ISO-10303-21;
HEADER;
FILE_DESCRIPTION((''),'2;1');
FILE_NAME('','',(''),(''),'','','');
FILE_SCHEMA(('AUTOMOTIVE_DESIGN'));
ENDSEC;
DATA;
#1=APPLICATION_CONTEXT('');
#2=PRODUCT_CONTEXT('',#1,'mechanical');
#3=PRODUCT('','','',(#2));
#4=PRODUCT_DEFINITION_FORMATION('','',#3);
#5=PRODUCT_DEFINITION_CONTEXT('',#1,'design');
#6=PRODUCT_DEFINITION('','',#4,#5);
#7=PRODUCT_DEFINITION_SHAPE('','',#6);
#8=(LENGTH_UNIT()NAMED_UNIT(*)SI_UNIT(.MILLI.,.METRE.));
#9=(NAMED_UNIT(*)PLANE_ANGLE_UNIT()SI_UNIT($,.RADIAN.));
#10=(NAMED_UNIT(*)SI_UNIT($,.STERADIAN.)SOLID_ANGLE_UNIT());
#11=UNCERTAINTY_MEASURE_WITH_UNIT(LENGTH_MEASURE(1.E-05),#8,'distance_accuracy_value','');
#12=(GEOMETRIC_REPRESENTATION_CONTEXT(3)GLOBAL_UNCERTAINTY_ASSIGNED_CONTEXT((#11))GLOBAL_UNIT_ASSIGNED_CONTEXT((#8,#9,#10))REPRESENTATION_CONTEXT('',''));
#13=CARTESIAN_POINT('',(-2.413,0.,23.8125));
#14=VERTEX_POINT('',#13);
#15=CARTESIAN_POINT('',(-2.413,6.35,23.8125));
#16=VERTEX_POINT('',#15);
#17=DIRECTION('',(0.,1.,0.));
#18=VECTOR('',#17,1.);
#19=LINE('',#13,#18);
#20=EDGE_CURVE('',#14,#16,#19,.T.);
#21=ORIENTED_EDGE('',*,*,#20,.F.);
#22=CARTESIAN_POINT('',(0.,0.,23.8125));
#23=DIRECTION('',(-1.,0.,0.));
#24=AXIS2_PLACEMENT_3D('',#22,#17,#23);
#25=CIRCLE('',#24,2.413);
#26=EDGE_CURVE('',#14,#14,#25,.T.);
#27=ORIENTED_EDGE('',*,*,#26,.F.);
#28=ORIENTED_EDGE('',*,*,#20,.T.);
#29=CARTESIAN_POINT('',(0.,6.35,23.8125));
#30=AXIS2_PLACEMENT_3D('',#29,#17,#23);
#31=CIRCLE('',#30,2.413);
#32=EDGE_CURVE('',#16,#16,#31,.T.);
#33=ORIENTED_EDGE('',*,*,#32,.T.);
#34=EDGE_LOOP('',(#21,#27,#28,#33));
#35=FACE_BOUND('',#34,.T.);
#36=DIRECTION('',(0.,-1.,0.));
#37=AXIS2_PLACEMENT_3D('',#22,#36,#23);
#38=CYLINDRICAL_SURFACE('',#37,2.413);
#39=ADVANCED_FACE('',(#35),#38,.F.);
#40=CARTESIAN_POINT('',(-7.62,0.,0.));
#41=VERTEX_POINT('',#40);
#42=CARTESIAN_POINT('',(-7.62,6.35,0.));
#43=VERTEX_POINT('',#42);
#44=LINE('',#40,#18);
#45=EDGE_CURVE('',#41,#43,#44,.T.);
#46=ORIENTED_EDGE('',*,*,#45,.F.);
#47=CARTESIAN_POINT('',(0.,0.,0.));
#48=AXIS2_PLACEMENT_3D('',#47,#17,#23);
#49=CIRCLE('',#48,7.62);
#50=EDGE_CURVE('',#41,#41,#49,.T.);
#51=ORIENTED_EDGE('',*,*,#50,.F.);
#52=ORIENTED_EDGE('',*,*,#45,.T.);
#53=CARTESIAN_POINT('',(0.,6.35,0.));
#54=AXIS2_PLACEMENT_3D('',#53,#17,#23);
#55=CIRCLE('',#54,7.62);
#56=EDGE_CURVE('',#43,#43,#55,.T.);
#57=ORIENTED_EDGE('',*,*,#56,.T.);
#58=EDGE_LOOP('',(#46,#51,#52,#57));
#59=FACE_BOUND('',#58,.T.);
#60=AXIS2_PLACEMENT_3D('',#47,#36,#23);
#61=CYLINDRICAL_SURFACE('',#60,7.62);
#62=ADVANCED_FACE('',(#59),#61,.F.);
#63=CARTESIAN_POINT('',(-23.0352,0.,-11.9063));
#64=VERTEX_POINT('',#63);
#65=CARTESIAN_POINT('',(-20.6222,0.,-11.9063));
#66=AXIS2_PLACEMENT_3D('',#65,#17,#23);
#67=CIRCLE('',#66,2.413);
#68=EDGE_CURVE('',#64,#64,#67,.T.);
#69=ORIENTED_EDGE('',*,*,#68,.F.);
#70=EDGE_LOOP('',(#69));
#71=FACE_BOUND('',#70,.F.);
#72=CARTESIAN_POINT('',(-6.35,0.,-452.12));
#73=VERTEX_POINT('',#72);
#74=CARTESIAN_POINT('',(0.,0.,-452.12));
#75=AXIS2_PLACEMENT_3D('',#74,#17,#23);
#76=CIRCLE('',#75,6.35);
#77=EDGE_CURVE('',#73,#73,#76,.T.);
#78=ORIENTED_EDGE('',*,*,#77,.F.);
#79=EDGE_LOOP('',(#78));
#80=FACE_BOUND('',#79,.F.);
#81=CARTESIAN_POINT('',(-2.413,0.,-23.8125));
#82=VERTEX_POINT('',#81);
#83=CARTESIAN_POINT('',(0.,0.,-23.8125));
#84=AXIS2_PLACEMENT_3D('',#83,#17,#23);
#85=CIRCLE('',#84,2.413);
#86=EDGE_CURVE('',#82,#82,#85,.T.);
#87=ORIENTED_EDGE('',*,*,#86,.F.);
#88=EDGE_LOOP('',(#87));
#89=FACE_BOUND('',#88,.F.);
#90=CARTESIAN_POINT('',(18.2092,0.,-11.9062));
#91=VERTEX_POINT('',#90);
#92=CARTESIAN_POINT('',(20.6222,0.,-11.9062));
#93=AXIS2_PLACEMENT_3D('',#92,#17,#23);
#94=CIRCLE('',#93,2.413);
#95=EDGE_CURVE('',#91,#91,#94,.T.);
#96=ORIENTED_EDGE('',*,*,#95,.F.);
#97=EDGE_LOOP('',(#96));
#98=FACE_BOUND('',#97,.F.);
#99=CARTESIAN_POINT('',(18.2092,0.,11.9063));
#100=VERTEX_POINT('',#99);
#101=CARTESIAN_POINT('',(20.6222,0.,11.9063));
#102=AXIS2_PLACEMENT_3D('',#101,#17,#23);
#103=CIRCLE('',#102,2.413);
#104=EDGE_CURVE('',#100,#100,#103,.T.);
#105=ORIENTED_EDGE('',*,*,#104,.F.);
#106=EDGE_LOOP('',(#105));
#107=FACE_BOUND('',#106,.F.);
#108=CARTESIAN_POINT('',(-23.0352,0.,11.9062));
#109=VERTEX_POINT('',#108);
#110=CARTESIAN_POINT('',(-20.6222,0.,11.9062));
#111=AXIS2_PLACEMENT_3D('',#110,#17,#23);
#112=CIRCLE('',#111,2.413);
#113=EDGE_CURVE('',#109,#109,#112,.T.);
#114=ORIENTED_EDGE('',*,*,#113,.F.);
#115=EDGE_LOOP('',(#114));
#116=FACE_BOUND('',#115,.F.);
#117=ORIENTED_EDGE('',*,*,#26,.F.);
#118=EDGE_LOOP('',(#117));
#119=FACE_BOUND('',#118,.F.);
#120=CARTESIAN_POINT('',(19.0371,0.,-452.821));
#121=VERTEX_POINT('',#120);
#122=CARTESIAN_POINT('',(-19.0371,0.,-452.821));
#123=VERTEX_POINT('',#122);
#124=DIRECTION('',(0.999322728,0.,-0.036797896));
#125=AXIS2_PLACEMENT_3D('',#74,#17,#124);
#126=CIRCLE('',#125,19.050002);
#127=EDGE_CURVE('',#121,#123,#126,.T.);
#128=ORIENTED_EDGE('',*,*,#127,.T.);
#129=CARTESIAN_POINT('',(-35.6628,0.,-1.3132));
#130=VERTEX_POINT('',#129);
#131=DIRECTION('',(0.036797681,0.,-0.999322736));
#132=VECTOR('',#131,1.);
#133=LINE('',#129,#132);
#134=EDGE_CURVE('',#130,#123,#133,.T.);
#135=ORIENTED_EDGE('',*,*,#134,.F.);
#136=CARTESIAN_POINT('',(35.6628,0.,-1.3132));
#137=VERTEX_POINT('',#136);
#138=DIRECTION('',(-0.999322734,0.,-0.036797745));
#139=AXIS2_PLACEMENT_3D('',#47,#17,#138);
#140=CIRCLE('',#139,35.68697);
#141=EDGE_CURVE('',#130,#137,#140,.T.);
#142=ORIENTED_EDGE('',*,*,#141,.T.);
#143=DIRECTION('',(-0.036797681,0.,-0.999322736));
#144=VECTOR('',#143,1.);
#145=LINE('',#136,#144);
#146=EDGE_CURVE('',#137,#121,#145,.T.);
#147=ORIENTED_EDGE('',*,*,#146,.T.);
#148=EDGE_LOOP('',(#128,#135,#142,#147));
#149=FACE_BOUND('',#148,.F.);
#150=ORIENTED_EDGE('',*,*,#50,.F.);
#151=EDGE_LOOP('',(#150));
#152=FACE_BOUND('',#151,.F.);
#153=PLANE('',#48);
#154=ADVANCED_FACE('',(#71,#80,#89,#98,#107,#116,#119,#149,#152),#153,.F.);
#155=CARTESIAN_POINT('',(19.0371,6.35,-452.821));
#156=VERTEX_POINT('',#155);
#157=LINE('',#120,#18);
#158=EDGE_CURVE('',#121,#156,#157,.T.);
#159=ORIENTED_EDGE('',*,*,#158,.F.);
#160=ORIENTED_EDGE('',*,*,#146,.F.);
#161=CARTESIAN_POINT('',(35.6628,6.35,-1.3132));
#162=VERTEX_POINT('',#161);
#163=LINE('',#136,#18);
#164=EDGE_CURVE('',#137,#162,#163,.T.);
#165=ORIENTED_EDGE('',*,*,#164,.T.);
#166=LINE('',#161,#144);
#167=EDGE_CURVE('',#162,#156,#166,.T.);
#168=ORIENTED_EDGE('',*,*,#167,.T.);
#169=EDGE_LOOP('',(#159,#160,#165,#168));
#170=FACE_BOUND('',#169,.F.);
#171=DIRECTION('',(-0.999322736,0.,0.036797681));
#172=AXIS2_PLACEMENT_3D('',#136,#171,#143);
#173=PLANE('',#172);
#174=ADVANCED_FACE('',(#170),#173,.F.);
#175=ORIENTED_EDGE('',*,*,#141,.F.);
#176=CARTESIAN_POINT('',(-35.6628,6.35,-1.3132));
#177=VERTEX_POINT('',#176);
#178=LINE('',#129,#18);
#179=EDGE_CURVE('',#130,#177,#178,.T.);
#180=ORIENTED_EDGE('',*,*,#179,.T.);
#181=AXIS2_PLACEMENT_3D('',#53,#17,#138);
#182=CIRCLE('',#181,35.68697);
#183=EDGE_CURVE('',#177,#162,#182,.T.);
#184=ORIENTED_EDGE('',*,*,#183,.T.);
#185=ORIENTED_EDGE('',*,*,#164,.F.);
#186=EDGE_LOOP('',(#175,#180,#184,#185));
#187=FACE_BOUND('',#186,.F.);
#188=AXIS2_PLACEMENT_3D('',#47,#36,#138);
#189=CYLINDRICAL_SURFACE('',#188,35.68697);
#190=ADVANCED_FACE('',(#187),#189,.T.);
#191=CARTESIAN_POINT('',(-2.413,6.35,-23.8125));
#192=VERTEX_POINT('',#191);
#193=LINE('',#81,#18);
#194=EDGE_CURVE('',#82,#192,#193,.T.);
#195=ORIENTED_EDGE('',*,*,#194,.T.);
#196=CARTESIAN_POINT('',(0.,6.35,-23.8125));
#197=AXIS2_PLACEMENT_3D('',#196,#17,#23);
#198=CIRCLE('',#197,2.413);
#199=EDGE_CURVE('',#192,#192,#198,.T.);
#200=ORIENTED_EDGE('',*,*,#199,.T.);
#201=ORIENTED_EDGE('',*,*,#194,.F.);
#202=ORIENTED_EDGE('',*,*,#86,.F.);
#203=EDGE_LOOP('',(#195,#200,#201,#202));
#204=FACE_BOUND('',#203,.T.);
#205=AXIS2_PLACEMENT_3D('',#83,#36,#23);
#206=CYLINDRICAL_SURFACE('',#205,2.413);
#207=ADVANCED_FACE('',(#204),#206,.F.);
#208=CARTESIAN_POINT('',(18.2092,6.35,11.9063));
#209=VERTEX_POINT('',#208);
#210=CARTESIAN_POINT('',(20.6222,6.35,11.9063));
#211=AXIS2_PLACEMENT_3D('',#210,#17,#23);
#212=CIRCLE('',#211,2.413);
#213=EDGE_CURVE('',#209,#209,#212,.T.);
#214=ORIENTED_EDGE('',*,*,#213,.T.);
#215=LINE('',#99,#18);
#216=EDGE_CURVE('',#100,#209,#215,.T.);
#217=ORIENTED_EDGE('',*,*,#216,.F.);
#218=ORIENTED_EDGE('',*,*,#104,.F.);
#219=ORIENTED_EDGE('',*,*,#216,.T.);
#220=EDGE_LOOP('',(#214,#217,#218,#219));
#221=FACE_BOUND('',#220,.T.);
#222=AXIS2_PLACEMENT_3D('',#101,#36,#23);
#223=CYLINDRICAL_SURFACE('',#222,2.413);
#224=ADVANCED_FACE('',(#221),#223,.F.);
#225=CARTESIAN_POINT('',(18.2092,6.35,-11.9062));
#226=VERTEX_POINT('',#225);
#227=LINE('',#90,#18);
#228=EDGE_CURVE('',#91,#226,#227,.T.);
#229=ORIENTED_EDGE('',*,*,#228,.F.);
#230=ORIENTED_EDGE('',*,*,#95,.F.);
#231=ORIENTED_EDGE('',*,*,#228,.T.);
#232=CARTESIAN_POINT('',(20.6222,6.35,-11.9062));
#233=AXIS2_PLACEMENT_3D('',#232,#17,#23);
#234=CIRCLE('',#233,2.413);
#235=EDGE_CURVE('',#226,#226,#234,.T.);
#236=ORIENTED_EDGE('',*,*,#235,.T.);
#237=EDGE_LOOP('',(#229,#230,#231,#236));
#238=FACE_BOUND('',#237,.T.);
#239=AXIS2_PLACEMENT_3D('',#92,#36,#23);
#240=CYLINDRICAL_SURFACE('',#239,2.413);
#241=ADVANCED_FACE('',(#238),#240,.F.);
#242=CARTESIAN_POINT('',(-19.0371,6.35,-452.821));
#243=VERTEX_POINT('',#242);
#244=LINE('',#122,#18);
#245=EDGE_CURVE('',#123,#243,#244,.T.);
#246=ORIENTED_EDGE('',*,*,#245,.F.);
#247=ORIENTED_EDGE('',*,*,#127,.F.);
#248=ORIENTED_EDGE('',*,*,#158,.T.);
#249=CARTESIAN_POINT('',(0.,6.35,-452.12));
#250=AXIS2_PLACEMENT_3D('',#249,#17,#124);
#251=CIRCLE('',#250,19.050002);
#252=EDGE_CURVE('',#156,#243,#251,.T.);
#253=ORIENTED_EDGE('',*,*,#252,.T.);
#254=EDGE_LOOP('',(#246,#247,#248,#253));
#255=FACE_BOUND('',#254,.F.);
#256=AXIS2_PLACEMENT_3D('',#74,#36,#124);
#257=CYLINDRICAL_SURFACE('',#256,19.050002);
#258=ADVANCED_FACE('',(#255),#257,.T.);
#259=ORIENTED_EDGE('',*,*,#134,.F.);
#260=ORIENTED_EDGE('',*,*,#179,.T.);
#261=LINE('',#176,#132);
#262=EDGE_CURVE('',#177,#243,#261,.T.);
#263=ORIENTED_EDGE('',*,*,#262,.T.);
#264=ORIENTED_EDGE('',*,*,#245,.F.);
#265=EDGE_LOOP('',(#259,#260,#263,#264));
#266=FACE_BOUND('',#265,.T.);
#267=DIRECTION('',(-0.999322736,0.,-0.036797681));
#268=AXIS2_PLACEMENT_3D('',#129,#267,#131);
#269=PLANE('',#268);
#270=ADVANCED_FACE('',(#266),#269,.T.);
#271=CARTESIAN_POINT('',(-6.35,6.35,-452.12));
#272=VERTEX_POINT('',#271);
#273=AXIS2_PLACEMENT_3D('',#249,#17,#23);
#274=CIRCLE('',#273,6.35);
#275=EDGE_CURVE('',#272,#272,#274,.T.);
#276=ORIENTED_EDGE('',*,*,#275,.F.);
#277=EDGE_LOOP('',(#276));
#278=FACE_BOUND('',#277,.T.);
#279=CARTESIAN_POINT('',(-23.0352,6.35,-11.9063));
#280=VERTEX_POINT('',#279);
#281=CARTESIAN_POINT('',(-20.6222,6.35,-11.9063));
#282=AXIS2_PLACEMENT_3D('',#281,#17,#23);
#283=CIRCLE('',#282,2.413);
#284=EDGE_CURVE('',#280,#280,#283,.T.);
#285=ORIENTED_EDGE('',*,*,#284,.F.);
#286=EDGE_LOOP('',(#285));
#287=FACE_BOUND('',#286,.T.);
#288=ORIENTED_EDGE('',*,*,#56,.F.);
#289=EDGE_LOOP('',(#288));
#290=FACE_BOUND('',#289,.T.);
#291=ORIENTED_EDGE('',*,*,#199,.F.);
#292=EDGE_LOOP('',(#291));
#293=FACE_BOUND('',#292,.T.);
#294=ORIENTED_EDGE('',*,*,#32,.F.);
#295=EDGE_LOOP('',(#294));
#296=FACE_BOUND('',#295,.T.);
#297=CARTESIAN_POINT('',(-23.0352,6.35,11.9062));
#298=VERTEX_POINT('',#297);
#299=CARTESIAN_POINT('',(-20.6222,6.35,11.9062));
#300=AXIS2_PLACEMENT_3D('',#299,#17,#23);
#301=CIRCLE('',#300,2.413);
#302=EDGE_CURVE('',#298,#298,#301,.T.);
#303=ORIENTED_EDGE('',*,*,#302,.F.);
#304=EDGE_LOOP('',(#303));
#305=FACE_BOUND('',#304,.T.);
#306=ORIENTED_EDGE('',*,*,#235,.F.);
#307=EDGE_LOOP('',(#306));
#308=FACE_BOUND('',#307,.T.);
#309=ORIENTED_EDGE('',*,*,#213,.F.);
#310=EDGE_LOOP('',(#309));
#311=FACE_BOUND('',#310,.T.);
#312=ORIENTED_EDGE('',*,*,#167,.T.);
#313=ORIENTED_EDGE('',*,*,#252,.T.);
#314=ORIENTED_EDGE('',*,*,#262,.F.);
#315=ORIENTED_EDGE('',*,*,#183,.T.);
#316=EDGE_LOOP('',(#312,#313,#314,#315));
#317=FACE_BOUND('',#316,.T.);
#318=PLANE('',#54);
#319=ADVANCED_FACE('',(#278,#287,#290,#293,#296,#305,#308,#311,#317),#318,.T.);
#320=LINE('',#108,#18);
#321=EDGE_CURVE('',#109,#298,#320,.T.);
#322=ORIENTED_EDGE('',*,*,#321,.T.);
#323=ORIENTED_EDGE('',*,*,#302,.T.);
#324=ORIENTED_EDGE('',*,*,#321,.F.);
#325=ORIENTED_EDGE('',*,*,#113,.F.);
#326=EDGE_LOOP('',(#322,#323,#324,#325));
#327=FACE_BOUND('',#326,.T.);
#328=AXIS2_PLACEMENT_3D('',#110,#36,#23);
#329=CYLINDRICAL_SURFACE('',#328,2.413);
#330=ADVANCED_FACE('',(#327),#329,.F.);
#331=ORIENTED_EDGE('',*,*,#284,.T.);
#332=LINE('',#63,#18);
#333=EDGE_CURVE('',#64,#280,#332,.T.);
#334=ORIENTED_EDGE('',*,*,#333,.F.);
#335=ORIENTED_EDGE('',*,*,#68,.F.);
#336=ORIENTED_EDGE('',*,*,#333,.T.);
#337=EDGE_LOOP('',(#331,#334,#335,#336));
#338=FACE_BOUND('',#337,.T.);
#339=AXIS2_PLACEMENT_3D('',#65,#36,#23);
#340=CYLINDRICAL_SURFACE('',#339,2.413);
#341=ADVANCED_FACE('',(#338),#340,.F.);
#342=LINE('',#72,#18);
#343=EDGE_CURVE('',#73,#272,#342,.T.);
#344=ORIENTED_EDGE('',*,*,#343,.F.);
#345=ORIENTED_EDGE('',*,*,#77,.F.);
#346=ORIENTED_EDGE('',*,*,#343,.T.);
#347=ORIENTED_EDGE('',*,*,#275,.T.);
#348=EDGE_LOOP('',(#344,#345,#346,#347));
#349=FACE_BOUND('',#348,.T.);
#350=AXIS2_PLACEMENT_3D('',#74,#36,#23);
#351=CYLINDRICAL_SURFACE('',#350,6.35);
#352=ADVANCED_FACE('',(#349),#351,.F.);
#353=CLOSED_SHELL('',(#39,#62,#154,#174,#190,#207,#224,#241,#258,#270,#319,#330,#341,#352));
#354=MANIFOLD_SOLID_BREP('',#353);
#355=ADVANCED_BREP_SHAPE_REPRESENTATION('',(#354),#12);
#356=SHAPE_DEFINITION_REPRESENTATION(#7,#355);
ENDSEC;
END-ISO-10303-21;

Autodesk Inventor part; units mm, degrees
ref_plane "YZ Plane" through (0, 0, 0) normal (1, 0, 0) x (0, 1, 0)
ref_plane "XZ Plane" through (0, 0, 0) normal (0, 1, 0) x (-1, 0, 0)
ref_plane "XY Plane" through (0, 0, 0) normal (0, 0, 1) x (1, 0, 0)
sketch "Sketch1" plane through (0, 0, 0) normal (0, 1, 0) x (-1, 0, 0)
  line L0 (0, 0) -> (0, -452.12) construction
  circle A0 centre (0, -452.12) radius 6.35
  circle A1 centre (0, 0) radius 7.62
  circle A2 centre (0, 0) radius 29.337 construction
  circle A3 centre (0, 0) radius 35.687 construction
  circle A4 centre (0, -452.12) radius 19.05 construction
  circle A5 centre (0, 0) radius 23.8125 construction
  circle A6 centre (0, -23.8125) radius 2.413
  circle A7 centre (20.6222, -11.9063) radius 2.413
  circle A8 centre (20.6222, 11.9062) radius 2.413
  circle A9 centre (0, 23.8125) radius 2.413
  circle A10 centre (-20.6222, 11.9063) radius 2.413
  circle A11 centre (-20.6222, -11.9062) radius 2.413
  line L1 (35.6628, -1.3132) -> (19.0371, -452.821)
  line L2 (-35.6628, -1.3132) -> (-19.0371, -452.821)
  arc A12 (35.6628, -1.3132) -> (-35.6628, -1.3132) centre (0, 0) ccw
  arc A13 (-19.0371, -452.821) -> (19.0371, -452.821) centre (0, -452.12) ccw
  dimension "d6" = 47.625
  dimension "d0" = 452.12
  dimension "d1" = 12.7
  dimension "d2" = 15.24
  dimension "d3" = 58.674
  dimension "d4" = 6.35
  dimension "d5" = 12.7
  dimension "d7" = 4.826
  dimension "d10" = 360
extrude "Extrusion1" add sketch "Sketch1" along normal blind 6.35
properties part number "DragBarLinkage3 Bar1"
